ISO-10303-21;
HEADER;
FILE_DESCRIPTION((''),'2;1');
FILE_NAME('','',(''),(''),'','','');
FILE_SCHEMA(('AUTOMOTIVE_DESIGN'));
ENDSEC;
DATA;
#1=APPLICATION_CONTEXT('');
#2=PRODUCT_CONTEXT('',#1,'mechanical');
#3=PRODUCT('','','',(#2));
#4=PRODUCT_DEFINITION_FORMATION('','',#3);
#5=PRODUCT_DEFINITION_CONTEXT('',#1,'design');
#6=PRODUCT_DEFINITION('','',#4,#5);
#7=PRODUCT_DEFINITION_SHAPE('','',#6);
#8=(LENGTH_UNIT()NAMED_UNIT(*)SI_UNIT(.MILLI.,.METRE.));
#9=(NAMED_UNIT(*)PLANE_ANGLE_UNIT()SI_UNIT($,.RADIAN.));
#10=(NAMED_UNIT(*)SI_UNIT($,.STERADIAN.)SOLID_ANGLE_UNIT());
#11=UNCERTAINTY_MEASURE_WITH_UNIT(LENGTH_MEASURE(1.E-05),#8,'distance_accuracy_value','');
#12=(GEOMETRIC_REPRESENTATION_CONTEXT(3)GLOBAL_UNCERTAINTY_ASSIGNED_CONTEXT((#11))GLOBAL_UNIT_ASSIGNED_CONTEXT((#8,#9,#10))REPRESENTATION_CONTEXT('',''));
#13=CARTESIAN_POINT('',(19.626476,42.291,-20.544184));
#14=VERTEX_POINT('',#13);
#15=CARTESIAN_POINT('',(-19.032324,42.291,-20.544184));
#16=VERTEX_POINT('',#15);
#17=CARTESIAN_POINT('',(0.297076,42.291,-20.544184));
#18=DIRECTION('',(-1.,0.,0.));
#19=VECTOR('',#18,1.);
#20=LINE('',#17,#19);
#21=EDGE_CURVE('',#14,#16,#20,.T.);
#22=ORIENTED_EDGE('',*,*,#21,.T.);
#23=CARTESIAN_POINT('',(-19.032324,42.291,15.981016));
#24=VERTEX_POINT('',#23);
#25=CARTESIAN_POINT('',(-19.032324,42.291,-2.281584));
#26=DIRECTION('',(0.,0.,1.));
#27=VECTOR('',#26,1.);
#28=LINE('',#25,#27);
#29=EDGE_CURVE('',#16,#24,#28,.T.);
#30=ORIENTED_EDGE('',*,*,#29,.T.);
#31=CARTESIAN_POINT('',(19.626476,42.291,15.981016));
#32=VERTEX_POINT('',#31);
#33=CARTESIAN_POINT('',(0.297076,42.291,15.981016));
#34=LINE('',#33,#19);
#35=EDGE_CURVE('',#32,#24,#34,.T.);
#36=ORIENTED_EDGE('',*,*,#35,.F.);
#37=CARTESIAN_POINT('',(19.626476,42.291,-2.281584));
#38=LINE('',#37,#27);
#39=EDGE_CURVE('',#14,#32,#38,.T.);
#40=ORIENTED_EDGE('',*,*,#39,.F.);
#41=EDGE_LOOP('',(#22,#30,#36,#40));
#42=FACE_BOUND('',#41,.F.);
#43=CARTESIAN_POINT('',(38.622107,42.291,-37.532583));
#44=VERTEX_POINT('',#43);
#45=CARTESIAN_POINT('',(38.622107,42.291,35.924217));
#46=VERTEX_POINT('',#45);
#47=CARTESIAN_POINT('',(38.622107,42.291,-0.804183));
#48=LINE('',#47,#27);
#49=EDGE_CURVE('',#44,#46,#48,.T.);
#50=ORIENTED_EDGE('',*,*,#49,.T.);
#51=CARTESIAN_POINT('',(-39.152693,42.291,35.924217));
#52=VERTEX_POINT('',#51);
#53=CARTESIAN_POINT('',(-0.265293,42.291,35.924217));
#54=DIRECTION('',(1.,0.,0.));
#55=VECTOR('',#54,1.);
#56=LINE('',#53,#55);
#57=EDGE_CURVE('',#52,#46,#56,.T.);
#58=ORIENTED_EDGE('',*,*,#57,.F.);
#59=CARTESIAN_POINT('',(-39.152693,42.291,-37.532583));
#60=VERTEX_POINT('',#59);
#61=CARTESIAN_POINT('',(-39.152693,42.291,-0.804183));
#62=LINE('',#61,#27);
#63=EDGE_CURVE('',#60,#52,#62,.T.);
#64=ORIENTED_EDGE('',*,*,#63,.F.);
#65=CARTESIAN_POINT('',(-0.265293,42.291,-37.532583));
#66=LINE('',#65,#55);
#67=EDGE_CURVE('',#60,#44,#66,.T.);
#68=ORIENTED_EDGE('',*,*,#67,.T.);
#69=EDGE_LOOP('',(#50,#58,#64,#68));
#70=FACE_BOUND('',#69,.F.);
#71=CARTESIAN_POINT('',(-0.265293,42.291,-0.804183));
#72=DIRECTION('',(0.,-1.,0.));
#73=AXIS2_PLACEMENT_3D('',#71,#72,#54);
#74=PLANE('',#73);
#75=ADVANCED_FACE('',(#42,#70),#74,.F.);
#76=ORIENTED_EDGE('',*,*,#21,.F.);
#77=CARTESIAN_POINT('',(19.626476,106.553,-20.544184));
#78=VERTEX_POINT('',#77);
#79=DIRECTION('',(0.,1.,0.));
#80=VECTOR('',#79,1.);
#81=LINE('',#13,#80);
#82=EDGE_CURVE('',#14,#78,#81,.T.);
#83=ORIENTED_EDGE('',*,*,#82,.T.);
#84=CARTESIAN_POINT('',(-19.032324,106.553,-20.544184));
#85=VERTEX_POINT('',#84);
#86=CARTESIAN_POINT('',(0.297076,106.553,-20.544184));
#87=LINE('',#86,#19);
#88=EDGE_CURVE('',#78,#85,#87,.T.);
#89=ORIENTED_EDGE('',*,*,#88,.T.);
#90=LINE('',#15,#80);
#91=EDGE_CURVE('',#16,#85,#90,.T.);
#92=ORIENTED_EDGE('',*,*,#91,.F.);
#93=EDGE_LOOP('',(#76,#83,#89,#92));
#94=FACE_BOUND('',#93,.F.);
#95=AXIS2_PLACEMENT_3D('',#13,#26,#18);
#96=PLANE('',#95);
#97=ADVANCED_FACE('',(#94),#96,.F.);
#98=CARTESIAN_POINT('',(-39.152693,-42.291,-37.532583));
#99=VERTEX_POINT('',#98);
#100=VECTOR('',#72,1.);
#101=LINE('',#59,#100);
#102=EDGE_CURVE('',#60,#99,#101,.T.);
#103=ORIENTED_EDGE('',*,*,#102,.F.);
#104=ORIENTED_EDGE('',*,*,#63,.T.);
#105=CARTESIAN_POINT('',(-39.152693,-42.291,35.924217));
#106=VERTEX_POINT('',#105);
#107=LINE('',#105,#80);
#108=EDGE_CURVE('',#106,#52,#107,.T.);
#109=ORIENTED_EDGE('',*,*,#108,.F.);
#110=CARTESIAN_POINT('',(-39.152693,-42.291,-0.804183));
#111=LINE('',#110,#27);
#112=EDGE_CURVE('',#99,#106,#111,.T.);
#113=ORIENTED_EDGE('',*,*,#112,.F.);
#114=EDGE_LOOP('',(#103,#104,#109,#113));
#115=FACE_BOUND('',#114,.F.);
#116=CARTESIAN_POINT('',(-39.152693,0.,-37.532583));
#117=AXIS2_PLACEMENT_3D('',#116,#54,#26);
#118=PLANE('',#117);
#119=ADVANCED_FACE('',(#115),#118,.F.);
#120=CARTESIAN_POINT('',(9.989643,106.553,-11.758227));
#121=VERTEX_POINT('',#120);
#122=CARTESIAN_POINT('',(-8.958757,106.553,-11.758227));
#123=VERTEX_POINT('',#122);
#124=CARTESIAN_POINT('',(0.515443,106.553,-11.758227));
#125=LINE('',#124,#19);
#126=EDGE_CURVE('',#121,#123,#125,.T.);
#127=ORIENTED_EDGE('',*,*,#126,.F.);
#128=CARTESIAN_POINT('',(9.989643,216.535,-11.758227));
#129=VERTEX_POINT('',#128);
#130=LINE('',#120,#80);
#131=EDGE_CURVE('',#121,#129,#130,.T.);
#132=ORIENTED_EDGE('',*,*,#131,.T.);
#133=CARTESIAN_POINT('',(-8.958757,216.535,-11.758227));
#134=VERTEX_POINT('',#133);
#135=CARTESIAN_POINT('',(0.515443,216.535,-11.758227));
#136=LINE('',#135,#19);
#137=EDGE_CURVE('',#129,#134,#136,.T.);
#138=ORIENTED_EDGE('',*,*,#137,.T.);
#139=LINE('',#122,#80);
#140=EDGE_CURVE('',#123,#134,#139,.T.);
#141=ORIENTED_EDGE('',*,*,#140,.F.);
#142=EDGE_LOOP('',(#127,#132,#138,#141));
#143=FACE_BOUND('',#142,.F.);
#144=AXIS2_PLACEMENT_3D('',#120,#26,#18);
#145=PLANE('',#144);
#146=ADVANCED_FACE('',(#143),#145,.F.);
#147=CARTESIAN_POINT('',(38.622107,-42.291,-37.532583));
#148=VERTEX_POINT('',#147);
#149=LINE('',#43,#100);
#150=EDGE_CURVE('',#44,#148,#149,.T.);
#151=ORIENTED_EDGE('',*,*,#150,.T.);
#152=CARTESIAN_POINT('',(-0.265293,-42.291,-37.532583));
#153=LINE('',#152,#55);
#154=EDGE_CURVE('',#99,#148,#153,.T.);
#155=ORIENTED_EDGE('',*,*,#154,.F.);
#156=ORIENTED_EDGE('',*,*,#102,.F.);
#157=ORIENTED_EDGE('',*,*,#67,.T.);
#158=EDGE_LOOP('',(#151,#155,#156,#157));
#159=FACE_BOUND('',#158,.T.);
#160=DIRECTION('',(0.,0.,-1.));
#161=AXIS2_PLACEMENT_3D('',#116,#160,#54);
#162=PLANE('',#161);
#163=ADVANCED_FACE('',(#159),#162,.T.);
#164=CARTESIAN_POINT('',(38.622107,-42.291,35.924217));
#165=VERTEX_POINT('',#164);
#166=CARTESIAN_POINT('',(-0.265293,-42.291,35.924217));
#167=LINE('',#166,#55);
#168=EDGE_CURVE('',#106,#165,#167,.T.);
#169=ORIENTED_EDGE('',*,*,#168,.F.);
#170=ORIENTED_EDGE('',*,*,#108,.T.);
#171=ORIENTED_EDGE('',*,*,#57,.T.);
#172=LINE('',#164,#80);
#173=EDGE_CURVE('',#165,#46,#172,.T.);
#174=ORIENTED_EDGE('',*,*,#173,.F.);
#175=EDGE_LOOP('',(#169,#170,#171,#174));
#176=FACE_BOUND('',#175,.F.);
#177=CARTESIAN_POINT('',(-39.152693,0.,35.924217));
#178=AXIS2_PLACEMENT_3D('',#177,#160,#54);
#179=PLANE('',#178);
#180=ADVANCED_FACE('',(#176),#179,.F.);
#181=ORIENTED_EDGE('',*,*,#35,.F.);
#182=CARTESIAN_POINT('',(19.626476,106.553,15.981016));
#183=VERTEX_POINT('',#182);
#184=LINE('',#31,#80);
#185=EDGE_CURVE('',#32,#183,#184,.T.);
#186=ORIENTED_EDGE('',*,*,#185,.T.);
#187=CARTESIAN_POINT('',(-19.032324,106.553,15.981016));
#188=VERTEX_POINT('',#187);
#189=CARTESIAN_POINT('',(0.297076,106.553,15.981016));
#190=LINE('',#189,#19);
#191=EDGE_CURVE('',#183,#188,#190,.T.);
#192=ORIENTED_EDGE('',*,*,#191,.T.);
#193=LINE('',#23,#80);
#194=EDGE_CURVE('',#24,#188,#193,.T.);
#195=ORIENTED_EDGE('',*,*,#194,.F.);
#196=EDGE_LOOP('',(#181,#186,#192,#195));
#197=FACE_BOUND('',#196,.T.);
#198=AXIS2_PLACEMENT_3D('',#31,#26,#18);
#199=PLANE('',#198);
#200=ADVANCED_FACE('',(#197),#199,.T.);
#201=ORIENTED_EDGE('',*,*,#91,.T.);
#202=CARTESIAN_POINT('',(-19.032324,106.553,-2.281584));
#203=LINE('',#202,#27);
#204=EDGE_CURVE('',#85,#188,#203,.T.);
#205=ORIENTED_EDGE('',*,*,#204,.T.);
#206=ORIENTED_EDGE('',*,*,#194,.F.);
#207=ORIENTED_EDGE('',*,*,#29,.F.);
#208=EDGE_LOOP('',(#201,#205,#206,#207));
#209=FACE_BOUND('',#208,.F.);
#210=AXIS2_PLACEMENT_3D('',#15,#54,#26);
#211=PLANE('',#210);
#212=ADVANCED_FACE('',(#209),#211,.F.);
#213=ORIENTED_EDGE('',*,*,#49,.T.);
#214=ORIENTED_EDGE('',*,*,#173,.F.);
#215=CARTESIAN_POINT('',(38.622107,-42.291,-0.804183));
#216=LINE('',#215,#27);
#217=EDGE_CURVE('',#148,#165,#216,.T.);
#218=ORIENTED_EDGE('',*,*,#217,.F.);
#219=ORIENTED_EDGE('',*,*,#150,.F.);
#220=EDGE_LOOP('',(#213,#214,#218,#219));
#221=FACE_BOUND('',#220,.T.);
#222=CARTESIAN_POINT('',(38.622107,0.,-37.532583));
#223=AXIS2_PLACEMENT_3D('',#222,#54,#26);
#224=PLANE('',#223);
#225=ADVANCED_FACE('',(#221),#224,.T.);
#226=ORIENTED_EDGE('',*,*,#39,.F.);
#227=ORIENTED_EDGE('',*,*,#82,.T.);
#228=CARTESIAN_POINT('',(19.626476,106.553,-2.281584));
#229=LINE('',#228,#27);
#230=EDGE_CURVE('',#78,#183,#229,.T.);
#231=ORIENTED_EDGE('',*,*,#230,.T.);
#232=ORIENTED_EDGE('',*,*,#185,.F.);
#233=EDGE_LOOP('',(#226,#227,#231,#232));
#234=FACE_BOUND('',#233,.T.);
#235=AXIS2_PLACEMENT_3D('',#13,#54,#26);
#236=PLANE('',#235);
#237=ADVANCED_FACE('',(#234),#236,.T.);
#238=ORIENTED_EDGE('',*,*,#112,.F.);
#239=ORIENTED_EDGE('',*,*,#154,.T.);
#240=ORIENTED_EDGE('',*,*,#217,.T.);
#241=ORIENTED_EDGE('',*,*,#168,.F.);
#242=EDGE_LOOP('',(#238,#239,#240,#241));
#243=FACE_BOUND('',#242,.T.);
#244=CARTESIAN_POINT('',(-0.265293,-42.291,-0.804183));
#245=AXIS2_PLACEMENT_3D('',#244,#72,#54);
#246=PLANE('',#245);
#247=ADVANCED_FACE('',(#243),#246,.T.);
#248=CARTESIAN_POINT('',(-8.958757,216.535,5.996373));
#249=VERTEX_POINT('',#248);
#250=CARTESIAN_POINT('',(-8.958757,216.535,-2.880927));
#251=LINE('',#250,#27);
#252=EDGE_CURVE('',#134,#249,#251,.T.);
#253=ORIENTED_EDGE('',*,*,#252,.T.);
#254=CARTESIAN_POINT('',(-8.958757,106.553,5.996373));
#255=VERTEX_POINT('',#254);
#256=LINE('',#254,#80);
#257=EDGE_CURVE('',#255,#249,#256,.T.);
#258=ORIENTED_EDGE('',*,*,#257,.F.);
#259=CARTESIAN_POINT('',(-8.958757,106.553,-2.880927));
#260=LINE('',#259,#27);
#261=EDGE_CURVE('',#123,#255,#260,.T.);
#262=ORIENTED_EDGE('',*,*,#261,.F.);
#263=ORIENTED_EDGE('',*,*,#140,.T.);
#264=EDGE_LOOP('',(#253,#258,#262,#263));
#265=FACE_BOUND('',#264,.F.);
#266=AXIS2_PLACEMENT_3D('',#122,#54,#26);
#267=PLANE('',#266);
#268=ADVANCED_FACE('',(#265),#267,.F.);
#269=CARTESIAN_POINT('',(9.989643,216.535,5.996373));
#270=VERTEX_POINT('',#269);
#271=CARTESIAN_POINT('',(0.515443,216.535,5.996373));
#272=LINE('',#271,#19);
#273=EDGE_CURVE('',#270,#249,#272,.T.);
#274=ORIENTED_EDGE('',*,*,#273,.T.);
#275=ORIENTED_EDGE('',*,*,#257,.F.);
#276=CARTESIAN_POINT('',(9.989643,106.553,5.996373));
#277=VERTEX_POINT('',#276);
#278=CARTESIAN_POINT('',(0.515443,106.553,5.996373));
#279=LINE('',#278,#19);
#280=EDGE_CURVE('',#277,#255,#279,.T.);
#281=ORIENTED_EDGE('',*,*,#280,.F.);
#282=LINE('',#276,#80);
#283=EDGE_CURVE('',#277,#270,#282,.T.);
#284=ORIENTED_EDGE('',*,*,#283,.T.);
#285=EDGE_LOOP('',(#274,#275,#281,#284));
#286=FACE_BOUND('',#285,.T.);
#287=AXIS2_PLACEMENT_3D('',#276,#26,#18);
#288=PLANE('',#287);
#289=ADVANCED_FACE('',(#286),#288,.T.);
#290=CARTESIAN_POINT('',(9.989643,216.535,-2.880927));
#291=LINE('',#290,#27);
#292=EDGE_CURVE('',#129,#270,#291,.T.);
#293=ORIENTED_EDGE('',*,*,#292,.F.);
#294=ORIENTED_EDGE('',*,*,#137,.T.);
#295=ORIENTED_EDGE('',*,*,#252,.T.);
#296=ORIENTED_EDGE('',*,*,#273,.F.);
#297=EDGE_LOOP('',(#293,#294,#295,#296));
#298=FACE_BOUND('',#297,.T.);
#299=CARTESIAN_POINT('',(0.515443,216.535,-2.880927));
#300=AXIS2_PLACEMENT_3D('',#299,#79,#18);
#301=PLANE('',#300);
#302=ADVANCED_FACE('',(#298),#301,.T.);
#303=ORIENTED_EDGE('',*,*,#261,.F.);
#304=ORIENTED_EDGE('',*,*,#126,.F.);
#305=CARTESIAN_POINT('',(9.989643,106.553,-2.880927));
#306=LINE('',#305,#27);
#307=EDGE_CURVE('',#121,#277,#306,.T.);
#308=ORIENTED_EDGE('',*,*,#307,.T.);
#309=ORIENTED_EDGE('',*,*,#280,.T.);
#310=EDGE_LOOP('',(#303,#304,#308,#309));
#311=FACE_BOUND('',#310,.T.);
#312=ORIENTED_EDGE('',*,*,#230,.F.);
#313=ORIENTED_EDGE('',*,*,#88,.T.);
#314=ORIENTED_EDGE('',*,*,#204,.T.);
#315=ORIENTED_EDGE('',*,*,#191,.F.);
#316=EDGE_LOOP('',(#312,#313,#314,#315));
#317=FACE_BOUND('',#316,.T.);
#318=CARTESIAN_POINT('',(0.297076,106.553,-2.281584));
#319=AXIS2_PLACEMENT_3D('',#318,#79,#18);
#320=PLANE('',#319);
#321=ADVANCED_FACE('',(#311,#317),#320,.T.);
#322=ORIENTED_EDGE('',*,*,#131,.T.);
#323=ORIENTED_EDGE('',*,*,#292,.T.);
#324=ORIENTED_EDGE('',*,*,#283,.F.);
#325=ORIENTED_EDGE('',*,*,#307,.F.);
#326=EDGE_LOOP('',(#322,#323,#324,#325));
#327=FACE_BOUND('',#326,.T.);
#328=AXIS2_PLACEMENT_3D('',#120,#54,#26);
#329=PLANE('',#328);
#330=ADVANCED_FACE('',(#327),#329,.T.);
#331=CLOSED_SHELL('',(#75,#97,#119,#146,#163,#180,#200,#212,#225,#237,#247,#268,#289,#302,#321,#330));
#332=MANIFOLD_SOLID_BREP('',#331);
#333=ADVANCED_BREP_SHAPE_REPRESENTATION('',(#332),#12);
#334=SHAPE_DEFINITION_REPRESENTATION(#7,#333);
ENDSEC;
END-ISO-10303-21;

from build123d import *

# Parameters (mm, degrees)
F0_W     = 77.7748
F0_H     = 73.4568
F1_DEPTH = 42.291
F3_W     = 38.6588
F3_H     = 36.5252
F4_DEPTH = 64.262
F5_W     = 18.9484
F5_H     = 17.7546
F6_DEPTH = 109.982


with BuildPart() as f1:
    # F0 (on Front) → F1 (new body, symmetric)
    with BuildSketch(Plane.XZ):
        with Locations((-0.265293, -0.804183)):
            Rectangle(F0_W, F0_H)
    extrude(amount=F1_DEPTH, both=True)

    # F3 (on face) → F4 (join)
    with BuildSketch(Plane(origin=(0, 42.291, 0), x_dir=(-1, 0, 0), z_dir=(0, 1, 0))):
        with Locations((-0.297076, -2.281584)):
            Rectangle(F3_W, F3_H)
    extrude(amount=F4_DEPTH)

    # F5 (on face) → F6 (join)
    with BuildSketch(Plane(origin=(0, 106.553, 0), x_dir=(-1, 0, 0), z_dir=(0, 1, 0))):
        with Locations((-0.515443, -2.880927)):
            Rectangle(F5_W, F5_H)
    extrude(amount=F6_DEPTH)


solid = f1.part
